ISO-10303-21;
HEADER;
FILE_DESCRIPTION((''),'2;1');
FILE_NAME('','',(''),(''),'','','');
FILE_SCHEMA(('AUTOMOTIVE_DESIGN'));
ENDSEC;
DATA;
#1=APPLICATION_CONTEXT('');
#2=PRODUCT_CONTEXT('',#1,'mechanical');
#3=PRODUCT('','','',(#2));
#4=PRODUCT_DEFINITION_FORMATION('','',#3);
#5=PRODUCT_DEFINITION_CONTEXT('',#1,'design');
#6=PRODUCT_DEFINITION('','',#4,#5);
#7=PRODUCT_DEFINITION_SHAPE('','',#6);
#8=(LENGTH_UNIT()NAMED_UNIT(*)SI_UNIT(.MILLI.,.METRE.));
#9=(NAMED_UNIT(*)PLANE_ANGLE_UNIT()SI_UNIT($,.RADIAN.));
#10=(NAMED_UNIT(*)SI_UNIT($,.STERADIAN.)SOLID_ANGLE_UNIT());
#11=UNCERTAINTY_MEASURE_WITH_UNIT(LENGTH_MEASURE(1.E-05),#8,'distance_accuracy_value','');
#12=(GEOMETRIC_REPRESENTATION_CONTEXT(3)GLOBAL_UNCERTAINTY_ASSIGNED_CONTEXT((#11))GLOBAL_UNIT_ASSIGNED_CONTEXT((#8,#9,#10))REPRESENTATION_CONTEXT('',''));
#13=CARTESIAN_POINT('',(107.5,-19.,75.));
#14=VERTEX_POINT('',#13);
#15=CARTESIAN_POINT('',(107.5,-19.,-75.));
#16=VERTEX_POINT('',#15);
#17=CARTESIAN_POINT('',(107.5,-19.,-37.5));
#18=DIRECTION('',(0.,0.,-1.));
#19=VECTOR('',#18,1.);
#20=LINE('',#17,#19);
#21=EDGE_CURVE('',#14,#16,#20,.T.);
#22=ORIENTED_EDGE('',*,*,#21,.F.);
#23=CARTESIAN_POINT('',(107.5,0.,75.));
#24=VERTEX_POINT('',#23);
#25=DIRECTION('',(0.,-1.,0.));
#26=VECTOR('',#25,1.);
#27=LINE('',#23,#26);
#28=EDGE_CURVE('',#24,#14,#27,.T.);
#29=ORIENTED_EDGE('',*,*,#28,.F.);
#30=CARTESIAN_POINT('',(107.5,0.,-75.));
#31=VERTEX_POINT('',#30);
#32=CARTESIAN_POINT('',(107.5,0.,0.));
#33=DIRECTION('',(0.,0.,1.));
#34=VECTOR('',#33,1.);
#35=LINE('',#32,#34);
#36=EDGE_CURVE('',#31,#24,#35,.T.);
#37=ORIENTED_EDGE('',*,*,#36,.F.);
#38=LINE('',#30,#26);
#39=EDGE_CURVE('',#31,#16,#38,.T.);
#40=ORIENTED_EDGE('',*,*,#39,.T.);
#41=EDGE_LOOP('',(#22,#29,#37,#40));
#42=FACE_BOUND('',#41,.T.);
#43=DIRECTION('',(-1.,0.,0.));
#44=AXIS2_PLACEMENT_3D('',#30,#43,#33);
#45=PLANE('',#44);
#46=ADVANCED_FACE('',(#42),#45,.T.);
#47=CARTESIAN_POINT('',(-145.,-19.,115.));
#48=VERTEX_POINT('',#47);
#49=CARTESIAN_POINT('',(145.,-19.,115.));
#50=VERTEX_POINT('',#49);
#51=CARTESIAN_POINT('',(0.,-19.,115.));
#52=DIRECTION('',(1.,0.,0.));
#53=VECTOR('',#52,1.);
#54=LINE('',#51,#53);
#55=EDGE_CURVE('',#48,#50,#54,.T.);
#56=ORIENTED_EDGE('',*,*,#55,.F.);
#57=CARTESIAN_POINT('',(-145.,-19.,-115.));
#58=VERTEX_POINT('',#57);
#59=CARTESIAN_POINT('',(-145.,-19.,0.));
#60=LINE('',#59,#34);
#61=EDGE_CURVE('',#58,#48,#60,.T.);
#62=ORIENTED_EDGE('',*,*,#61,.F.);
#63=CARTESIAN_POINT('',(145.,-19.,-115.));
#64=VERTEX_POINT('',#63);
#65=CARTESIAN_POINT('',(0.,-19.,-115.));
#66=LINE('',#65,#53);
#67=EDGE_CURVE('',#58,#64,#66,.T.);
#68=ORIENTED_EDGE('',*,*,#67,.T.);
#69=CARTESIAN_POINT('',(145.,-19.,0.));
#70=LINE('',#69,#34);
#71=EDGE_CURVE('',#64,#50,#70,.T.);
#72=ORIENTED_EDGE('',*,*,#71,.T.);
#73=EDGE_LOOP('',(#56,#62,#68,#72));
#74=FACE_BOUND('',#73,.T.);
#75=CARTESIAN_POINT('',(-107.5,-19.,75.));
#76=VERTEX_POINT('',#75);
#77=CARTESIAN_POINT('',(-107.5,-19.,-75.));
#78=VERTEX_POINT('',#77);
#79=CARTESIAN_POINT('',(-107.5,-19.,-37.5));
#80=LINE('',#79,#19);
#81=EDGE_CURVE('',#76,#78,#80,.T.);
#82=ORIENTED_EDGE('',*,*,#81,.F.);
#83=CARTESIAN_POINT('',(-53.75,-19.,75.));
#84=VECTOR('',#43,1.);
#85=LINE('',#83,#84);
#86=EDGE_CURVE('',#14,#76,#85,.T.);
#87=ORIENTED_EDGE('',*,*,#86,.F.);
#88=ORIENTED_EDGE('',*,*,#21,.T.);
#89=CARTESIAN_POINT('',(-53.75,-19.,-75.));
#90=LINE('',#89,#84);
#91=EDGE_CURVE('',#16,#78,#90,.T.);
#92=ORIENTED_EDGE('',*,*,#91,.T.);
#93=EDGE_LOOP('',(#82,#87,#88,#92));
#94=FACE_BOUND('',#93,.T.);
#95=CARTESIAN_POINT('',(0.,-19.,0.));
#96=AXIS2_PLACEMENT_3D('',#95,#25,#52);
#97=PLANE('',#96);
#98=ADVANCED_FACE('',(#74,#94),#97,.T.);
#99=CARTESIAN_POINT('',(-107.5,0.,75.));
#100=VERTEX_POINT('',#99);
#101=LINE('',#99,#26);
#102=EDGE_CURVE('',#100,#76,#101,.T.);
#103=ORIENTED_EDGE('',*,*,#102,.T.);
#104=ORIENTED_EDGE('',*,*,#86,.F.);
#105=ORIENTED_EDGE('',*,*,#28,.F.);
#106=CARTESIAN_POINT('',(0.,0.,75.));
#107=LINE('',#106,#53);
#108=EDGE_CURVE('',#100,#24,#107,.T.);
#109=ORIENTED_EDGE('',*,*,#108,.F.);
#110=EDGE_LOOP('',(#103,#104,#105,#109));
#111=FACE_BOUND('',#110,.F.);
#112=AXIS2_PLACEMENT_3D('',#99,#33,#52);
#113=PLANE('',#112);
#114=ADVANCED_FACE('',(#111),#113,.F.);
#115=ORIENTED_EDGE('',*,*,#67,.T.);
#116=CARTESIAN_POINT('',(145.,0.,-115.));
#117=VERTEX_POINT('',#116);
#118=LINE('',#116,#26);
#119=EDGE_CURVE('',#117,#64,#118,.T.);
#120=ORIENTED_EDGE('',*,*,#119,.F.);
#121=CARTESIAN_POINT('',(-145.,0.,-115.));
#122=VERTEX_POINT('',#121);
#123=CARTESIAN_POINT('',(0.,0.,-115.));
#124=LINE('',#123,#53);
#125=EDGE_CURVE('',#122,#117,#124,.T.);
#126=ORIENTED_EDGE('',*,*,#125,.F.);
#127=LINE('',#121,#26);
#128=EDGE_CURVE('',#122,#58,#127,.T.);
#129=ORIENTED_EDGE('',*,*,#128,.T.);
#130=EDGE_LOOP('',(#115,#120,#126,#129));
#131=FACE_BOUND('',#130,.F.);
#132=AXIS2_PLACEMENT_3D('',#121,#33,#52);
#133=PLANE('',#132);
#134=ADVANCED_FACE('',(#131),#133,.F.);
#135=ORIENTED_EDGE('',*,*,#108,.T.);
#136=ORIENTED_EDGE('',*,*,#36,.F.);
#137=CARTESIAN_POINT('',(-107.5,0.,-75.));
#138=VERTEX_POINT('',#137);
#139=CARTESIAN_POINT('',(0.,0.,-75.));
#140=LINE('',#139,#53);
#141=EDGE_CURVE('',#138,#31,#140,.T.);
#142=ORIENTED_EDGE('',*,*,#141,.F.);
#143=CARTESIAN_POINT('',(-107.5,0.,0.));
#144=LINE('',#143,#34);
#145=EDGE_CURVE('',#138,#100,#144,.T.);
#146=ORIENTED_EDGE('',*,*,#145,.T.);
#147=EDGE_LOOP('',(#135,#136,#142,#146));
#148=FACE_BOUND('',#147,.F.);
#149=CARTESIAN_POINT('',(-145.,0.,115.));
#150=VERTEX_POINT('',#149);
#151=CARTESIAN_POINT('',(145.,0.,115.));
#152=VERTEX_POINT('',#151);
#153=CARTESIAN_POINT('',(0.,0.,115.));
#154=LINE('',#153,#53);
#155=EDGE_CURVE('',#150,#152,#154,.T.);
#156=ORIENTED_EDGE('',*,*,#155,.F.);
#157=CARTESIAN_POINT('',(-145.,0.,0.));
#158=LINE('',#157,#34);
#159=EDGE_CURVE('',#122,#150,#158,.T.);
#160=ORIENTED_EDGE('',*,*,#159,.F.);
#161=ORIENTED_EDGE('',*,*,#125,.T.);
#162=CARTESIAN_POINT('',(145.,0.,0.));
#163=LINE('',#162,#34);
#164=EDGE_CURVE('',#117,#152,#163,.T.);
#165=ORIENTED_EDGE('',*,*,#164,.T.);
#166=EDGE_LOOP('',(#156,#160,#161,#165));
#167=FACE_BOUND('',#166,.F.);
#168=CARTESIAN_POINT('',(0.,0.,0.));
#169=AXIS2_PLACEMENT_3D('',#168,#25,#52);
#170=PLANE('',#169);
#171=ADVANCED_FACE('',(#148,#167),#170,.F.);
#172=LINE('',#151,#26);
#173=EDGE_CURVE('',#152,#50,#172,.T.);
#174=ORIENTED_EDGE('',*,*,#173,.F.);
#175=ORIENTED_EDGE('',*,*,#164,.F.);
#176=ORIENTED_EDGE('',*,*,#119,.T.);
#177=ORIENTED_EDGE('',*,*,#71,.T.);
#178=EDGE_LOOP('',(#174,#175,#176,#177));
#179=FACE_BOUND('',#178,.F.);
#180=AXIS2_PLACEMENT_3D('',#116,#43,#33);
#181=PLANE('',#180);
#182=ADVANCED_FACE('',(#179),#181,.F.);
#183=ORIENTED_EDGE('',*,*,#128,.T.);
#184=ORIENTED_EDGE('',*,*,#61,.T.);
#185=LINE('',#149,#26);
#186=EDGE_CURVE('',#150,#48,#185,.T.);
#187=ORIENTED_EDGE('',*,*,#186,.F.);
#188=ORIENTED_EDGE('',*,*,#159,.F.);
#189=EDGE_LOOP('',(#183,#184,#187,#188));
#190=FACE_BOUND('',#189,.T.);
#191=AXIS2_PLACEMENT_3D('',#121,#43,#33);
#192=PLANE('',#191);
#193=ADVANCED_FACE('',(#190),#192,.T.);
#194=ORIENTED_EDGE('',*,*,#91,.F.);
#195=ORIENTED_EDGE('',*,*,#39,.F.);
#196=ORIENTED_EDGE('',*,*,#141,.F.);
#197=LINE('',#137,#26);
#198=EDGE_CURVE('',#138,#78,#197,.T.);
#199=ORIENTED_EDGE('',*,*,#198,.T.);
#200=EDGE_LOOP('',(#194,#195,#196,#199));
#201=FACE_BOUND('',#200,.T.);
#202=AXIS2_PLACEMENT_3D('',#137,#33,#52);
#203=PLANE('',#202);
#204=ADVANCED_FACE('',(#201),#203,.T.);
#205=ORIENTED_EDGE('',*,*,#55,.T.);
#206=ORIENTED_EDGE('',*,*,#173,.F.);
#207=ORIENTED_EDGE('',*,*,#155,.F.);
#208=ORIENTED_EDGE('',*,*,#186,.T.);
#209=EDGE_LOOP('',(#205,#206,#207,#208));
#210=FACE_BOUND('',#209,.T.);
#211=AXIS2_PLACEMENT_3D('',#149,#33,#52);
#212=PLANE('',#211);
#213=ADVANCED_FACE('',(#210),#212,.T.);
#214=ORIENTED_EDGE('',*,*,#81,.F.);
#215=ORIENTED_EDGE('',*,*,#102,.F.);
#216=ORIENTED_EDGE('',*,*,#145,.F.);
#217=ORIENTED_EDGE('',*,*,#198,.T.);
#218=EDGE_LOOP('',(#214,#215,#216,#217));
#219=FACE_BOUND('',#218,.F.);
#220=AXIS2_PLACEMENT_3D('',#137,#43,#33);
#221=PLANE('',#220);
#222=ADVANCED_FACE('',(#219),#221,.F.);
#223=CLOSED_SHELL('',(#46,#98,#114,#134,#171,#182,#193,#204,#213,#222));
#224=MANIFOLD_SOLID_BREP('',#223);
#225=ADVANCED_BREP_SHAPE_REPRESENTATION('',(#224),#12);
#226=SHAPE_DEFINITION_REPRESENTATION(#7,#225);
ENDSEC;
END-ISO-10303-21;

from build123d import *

# Parameters (mm, degrees)
F0_W     = 290
F0_H     = 230
F2_DEPTH = 19
F1_W     = 215
F1_H     = 150
F3_DEPTH = 25


with BuildPart() as f2:
    # F0 (on Front) → F2 (new body)
    with BuildSketch(Plane.XZ):
        Rectangle(F0_W, F0_H)
    extrude(amount=F2_DEPTH)

    # F1 (on face) → F3 (cut)
    with BuildSketch(Plane.XZ):
        Rectangle(F1_W, F1_H)
    extrude(amount=F3_DEPTH, mode=Mode.SUBTRACT)


solid = f2.part
